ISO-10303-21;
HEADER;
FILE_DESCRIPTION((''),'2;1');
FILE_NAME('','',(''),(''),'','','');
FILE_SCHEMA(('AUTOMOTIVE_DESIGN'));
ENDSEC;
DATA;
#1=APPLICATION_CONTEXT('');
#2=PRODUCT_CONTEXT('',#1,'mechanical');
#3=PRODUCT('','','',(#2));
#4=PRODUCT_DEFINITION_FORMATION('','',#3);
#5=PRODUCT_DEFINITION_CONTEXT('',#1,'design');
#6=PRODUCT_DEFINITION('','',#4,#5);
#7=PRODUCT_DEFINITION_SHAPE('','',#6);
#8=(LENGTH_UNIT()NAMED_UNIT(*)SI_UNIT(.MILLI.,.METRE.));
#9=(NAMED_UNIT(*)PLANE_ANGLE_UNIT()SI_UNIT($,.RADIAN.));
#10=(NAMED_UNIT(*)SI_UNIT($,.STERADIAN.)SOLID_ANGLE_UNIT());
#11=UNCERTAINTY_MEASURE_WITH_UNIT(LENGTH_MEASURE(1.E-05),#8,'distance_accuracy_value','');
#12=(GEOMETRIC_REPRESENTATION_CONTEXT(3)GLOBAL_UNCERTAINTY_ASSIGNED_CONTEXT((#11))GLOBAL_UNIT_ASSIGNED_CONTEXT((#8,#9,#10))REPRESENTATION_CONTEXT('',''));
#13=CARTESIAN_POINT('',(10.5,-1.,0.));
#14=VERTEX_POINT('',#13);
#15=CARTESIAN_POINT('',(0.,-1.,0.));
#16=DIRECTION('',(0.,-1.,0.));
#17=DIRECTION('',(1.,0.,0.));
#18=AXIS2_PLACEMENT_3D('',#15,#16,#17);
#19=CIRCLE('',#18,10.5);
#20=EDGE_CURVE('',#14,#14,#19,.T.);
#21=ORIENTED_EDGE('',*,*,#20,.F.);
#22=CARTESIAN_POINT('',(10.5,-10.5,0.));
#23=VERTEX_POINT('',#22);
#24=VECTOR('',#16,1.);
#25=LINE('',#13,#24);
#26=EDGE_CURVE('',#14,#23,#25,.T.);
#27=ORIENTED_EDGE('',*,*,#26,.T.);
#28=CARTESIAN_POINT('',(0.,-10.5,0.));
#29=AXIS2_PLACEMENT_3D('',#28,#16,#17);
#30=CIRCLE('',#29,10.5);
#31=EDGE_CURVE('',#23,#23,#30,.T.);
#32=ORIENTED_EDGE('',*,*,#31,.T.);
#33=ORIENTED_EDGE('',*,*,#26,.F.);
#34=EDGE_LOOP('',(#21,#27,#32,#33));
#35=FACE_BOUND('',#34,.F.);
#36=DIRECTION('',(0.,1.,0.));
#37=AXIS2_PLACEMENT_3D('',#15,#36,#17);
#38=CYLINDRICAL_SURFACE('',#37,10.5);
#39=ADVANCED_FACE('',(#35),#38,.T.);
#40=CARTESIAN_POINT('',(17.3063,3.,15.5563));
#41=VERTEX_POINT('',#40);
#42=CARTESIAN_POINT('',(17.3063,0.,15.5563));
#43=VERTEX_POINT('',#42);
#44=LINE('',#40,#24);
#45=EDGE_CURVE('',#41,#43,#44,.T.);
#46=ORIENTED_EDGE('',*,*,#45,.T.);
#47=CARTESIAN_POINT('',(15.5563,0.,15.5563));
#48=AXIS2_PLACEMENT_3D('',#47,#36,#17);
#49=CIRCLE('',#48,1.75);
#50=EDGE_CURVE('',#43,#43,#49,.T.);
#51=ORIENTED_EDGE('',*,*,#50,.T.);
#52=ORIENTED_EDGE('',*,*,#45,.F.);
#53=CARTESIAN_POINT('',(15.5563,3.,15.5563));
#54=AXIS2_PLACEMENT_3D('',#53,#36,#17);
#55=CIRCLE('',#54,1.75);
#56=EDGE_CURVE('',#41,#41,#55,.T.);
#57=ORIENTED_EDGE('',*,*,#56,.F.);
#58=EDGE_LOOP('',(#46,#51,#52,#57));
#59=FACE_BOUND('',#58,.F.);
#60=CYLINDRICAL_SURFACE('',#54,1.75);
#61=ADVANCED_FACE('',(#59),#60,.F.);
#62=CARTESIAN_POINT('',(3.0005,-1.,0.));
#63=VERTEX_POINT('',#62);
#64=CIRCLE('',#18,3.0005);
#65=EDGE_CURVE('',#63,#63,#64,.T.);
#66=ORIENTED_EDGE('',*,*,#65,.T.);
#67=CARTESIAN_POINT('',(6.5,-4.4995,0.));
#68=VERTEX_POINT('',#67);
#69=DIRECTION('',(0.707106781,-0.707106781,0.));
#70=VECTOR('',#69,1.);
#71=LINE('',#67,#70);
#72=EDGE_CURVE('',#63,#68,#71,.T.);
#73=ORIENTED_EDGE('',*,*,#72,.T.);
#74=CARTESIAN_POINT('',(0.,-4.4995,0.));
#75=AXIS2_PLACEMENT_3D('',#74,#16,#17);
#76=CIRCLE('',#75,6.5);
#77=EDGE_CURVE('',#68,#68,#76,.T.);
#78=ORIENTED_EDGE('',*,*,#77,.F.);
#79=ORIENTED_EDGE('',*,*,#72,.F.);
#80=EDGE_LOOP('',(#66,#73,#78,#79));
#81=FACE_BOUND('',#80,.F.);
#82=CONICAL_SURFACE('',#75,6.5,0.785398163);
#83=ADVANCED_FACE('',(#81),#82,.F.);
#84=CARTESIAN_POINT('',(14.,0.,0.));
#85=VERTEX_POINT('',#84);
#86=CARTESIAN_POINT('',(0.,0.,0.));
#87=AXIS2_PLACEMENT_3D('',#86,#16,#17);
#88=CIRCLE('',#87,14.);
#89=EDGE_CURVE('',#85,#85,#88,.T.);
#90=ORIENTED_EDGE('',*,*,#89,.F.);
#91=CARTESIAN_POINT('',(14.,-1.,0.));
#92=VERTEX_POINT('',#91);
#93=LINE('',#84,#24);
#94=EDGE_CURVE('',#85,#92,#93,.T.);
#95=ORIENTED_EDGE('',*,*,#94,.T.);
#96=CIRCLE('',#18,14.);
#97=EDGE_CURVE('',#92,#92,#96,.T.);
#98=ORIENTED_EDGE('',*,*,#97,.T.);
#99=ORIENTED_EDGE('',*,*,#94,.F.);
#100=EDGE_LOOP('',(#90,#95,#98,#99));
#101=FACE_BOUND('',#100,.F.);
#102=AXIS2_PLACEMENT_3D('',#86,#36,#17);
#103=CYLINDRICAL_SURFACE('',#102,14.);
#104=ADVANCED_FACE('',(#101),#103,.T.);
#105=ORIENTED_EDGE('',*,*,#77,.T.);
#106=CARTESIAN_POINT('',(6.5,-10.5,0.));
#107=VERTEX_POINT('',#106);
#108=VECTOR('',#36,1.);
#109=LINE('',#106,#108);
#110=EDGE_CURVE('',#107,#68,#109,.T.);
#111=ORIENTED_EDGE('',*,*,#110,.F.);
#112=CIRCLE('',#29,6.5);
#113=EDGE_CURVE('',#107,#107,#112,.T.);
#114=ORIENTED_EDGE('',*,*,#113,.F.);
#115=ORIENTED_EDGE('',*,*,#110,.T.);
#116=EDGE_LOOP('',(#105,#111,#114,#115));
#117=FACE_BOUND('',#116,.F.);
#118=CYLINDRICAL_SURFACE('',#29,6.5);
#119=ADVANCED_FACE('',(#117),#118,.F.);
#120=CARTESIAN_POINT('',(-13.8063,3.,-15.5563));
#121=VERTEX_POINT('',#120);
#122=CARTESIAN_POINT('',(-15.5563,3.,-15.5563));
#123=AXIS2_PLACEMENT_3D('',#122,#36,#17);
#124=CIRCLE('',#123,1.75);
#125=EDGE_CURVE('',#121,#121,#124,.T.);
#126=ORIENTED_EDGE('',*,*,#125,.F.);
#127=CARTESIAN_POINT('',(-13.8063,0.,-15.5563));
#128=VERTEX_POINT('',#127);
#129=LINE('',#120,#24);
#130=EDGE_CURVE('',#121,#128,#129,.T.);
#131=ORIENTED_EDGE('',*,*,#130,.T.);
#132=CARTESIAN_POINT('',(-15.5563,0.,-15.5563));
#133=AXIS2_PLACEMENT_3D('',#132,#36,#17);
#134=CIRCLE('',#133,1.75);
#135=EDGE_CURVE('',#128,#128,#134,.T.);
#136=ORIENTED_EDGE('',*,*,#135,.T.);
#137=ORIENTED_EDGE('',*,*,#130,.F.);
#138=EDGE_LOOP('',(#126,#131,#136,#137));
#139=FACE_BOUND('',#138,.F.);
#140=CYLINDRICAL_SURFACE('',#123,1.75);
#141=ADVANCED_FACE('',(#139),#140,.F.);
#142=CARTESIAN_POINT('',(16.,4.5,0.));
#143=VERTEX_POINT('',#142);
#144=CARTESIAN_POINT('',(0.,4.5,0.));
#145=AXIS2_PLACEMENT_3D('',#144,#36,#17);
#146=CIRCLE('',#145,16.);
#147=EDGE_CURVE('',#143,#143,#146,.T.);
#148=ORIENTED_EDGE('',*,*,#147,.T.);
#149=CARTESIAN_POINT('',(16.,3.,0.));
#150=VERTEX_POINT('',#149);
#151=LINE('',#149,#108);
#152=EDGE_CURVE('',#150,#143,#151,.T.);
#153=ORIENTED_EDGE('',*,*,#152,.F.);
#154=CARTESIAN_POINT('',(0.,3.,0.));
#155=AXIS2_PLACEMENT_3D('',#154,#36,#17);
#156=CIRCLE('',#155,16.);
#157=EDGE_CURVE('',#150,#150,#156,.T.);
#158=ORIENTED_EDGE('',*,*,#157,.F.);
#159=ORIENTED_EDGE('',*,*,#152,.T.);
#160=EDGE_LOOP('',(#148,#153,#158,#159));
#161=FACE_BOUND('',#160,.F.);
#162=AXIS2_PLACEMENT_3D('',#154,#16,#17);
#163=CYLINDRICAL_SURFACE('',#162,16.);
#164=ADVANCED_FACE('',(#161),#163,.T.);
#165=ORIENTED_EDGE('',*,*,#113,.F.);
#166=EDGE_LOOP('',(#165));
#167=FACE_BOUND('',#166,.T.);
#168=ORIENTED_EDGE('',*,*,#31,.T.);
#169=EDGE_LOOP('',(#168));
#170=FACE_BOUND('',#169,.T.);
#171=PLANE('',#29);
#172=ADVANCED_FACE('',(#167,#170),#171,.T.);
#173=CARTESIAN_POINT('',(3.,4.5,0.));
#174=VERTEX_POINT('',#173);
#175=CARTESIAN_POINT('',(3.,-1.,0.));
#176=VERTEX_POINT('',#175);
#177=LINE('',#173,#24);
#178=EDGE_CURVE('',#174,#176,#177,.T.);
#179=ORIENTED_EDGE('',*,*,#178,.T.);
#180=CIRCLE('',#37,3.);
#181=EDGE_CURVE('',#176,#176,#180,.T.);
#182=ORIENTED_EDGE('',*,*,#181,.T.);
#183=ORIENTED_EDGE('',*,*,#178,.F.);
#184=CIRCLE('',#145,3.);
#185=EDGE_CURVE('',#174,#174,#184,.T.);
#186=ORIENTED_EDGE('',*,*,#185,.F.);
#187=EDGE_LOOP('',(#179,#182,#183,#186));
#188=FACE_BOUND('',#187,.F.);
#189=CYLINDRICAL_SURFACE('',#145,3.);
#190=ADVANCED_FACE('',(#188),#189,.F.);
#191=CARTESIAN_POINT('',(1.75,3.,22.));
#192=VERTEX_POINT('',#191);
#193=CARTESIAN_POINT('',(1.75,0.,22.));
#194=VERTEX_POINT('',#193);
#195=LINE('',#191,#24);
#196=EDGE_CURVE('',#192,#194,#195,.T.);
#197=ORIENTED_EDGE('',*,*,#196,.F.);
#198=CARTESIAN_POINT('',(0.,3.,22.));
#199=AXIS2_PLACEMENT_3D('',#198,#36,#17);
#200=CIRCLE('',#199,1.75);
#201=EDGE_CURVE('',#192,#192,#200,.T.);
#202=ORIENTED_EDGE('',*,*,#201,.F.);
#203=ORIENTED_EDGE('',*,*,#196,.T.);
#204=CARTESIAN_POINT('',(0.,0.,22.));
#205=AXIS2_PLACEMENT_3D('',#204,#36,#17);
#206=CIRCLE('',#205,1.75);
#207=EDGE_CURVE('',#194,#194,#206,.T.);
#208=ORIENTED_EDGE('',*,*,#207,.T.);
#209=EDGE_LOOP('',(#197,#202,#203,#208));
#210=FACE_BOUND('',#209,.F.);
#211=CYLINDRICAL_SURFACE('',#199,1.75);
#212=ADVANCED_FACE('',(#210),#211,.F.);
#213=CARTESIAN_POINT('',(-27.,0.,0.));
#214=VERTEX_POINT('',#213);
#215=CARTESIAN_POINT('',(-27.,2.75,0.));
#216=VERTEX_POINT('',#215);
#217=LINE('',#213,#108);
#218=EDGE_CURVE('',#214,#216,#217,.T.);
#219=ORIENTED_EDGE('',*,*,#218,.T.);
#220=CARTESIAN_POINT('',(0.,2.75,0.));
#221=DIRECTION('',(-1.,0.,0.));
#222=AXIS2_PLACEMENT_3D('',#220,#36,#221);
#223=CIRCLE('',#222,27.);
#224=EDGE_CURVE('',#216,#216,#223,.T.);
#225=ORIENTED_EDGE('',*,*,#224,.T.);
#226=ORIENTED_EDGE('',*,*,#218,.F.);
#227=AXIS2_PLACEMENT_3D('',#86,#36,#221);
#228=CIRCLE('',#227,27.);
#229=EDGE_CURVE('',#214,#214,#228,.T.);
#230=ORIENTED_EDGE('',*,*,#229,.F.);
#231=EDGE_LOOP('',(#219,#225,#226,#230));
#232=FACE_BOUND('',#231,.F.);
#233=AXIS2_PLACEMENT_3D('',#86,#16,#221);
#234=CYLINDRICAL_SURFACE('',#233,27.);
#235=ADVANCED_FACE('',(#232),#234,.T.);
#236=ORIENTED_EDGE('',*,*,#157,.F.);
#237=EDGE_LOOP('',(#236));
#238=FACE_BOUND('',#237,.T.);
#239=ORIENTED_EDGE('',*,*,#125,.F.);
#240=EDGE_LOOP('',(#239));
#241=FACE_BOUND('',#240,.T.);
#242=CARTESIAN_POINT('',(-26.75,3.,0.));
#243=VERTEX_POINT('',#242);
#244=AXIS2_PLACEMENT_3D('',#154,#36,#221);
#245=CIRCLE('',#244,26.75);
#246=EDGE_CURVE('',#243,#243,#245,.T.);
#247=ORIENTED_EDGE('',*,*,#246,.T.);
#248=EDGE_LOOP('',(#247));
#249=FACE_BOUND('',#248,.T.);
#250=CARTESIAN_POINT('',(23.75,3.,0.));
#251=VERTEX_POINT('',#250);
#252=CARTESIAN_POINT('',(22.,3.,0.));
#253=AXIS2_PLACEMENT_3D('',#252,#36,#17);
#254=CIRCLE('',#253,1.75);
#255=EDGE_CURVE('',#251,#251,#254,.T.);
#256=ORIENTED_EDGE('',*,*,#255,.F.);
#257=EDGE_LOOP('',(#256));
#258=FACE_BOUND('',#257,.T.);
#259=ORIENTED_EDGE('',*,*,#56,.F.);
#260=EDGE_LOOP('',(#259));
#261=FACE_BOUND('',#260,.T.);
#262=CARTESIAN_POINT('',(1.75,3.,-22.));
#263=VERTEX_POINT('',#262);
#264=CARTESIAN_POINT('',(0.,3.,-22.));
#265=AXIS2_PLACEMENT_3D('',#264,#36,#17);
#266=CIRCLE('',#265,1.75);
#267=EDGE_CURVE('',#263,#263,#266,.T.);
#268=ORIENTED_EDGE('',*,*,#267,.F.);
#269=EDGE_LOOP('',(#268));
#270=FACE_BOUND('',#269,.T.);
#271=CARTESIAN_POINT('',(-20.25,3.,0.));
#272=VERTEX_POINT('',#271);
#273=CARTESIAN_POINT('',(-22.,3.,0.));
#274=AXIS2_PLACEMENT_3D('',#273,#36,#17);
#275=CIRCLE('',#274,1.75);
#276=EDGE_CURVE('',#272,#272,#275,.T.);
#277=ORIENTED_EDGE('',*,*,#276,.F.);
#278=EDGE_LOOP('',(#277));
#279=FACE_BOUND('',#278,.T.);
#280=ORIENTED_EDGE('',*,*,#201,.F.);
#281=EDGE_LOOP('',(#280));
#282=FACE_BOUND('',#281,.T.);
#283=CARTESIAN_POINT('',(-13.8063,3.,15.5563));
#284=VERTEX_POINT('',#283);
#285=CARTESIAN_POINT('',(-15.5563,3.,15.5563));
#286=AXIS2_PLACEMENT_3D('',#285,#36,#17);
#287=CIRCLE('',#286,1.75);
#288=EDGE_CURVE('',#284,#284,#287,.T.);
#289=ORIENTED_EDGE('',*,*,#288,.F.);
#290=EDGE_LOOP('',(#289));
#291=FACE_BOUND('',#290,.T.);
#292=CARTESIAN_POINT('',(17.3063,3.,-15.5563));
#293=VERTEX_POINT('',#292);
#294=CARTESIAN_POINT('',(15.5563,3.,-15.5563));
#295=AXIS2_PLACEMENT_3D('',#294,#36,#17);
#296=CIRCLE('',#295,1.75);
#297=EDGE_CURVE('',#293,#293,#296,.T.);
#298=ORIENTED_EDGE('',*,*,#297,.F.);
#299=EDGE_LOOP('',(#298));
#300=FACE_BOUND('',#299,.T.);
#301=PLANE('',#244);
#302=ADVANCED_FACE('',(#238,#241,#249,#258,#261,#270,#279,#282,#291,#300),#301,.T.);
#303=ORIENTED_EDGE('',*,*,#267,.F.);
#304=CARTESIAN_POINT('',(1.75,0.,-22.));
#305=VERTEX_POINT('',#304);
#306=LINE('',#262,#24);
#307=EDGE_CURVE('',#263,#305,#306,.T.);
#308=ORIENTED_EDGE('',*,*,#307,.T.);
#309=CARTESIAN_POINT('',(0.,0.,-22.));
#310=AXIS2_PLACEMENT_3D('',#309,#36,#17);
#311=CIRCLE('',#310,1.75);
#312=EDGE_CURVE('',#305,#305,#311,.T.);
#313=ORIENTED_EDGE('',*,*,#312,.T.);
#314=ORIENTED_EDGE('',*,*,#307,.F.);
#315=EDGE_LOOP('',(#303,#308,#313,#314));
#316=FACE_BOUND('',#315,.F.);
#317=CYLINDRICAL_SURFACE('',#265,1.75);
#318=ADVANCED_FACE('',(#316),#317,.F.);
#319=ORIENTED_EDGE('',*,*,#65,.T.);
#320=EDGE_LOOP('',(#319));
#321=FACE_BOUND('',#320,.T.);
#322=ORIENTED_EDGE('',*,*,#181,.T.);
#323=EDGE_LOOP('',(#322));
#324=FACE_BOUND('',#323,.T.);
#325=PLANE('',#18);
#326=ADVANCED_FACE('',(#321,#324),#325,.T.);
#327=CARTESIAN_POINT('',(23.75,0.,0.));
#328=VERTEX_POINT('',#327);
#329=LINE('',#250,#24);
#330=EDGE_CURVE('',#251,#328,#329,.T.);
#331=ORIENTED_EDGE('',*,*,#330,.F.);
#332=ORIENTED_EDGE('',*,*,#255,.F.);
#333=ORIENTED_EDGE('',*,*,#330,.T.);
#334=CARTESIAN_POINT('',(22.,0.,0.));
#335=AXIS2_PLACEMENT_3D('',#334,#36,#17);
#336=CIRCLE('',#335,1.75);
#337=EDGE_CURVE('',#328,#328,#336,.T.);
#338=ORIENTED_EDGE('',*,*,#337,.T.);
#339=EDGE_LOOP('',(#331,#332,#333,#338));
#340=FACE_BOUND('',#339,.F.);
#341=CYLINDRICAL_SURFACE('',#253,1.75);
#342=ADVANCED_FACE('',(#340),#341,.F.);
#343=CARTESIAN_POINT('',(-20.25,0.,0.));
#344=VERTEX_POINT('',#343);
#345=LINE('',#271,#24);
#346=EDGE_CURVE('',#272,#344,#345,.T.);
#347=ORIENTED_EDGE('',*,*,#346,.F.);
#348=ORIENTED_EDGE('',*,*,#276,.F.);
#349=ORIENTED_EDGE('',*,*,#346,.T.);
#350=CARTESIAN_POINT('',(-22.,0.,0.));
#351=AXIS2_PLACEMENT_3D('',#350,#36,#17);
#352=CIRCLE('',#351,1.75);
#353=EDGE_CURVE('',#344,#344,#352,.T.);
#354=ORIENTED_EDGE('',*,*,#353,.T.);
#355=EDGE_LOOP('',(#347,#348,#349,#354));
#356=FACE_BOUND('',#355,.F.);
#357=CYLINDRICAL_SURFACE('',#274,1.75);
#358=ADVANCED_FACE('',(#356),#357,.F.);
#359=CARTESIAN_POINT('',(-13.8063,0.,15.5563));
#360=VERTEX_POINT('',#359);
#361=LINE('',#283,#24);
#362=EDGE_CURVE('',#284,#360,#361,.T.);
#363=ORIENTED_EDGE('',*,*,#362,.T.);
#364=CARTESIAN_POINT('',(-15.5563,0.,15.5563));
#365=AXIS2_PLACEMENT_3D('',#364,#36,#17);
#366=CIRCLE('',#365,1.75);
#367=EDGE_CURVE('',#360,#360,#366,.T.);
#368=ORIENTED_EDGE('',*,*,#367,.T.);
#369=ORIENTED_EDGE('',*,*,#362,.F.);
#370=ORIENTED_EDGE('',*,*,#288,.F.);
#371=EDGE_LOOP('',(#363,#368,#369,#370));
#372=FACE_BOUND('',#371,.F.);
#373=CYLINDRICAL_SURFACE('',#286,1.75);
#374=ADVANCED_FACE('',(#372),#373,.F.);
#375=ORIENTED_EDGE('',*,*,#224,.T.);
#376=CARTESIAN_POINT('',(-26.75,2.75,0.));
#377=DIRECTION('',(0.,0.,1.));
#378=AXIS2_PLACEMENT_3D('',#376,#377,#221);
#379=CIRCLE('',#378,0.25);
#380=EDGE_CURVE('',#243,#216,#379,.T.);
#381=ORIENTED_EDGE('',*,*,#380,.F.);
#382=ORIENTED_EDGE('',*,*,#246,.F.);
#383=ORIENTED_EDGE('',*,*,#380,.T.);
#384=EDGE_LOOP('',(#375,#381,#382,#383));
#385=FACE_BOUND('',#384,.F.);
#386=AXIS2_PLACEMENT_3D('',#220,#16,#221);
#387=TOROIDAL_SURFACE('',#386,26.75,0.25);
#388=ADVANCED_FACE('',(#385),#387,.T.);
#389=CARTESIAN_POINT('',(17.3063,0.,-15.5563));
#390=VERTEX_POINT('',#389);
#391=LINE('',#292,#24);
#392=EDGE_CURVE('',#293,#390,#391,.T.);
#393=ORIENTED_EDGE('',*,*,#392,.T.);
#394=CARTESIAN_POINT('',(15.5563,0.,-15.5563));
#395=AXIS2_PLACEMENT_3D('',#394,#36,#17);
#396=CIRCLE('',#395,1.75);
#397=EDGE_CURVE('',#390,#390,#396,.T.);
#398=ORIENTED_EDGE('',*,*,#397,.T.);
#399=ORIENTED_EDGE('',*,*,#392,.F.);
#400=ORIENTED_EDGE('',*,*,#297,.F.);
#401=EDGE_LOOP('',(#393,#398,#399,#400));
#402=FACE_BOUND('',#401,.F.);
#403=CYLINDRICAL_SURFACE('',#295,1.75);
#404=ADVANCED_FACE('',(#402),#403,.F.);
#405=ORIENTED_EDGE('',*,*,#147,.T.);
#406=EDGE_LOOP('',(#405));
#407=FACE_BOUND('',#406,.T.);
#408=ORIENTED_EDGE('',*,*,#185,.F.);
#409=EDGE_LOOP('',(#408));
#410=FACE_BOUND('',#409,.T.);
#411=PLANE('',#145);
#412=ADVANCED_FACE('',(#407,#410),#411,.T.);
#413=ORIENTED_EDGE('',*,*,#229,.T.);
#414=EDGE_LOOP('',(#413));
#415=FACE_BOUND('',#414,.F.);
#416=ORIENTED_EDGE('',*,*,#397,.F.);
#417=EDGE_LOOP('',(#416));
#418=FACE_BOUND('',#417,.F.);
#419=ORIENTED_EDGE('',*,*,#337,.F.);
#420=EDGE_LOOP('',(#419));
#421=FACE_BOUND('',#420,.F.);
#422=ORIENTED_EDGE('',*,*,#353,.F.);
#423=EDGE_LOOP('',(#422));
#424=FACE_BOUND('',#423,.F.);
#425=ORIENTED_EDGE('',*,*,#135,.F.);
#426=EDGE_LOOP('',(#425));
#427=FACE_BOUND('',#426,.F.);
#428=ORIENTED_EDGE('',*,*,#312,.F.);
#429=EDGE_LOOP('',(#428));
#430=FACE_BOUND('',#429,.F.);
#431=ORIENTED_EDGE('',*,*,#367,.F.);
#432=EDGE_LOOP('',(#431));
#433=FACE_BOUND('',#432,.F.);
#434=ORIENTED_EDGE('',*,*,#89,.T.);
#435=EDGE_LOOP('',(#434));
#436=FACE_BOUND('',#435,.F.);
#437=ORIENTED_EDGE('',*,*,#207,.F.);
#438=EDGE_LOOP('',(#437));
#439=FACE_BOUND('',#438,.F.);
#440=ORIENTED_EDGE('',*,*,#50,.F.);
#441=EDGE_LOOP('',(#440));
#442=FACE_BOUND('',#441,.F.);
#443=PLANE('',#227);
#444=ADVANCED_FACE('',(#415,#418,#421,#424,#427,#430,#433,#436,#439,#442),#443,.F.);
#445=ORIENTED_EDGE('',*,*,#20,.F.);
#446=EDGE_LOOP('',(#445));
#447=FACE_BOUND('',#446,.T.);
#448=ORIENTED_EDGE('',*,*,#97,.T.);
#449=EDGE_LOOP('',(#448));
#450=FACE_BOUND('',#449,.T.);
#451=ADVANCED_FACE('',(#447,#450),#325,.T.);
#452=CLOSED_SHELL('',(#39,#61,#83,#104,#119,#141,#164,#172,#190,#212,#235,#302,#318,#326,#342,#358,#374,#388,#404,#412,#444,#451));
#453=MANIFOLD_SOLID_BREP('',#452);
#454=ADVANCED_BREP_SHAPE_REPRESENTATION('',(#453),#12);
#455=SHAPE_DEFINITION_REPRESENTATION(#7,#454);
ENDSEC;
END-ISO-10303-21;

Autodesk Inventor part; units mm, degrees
ref_plane "YZ Plane" through (0, 0, 0) normal (1, 0, 0) x (0, 1, 0)
ref_plane "XZ Plane" through (0, 0, 0) normal (0, 1, 0) x (-1, 0, 0)
ref_plane "XY Plane" through (0, 0, 0) normal (0, 0, 1) x (1, 0, 0)
sketch "Sketch1" plane through (0, 0, 0) normal (0, 1, 0) x (-1, 0, 0)
  circle A0 centre (0, 0) radius 27
  dimension "d0" = 54
extrude "Extrusion1" add sketch "Sketch1" along normal blind 3
sketch "Sketch2" plane through (0, 3, 0) normal (0, 1, 0) x (1, 0, 0)
  circle A0 centre (0, 0) radius 16
  dimension "d4" = 32
extrude "Extrusion2" add sketch "Sketch2" along normal blind 1.5
sketch "Sketch3" plane through (0, 0, 0) normal (0, -1, 0) x (1, 0, 0)
  circle A0 centre (0, 0) radius 14
  dimension "d7" = 28
extrude "Extrusion3" add sketch "Sketch3" along normal blind 1
sketch "Sketch4" plane through (0, -1, 0) normal (0, -1, 0) x (1, 0, 0)
  circle A0 centre (0, 0) radius 10.5
  dimension "d10" = 21
extrude "Extrusion4" add sketch "Sketch4" along normal blind 9.5
sketch "Sketch6" plane through (0, 4.5, 0) normal (0, 1, 0) x (1, 0, 0)
  circle A0 centre (0, 0) radius 3
  dimension "d14" = 6
extrude "Extrusion5" cut sketch "Sketch6" against normal through all
sketch "Sketch7" plane through (0, 3, 0) normal (0, 1, 0) x (1, 0, 0)
  circle A0 centre (0, 0) radius 22 construction
  circle A1 centre (0, 22) radius 1.75
  circle A2 centre (-15.5563, 15.5563) radius 1.75
  circle A3 centre (-22, 0) radius 1.75
  circle A4 centre (-15.5563, -15.5563) radius 1.75
  circle A5 centre (0, -22) radius 1.75
  circle A6 centre (15.5563, -15.5563) radius 1.75
  circle A7 centre (22, 0) radius 1.75
  circle A8 centre (15.5563, 15.5563) radius 1.75
  dimension "d17" = 44
  dimension "d18" = 3.5
  dimension "d21" = 360
  dimension "d23" = 6.4436
extrude "Extrusion6" cut sketch "Sketch7" against normal blind 3
sketch "Sketch9" plane through (0, -10.5, 0) normal (0, -1, 0) x (1, 0, 0)
  circle A0 centre (0, 0) radius 6.5
  dimension "d26" = 13
extrude "Extrusion7" cut sketch "Sketch9" against normal blind 9.5
chamfer "Chamfer1" distance 3.5 angle 45 1 edges at (-6.5, -1, 0)
fillet "Fillet1" radius 0.25 1 edges at (27, 3, 0)
properties part number "Lower Cylinder Cover" material "Brass, Soft Yellow"
